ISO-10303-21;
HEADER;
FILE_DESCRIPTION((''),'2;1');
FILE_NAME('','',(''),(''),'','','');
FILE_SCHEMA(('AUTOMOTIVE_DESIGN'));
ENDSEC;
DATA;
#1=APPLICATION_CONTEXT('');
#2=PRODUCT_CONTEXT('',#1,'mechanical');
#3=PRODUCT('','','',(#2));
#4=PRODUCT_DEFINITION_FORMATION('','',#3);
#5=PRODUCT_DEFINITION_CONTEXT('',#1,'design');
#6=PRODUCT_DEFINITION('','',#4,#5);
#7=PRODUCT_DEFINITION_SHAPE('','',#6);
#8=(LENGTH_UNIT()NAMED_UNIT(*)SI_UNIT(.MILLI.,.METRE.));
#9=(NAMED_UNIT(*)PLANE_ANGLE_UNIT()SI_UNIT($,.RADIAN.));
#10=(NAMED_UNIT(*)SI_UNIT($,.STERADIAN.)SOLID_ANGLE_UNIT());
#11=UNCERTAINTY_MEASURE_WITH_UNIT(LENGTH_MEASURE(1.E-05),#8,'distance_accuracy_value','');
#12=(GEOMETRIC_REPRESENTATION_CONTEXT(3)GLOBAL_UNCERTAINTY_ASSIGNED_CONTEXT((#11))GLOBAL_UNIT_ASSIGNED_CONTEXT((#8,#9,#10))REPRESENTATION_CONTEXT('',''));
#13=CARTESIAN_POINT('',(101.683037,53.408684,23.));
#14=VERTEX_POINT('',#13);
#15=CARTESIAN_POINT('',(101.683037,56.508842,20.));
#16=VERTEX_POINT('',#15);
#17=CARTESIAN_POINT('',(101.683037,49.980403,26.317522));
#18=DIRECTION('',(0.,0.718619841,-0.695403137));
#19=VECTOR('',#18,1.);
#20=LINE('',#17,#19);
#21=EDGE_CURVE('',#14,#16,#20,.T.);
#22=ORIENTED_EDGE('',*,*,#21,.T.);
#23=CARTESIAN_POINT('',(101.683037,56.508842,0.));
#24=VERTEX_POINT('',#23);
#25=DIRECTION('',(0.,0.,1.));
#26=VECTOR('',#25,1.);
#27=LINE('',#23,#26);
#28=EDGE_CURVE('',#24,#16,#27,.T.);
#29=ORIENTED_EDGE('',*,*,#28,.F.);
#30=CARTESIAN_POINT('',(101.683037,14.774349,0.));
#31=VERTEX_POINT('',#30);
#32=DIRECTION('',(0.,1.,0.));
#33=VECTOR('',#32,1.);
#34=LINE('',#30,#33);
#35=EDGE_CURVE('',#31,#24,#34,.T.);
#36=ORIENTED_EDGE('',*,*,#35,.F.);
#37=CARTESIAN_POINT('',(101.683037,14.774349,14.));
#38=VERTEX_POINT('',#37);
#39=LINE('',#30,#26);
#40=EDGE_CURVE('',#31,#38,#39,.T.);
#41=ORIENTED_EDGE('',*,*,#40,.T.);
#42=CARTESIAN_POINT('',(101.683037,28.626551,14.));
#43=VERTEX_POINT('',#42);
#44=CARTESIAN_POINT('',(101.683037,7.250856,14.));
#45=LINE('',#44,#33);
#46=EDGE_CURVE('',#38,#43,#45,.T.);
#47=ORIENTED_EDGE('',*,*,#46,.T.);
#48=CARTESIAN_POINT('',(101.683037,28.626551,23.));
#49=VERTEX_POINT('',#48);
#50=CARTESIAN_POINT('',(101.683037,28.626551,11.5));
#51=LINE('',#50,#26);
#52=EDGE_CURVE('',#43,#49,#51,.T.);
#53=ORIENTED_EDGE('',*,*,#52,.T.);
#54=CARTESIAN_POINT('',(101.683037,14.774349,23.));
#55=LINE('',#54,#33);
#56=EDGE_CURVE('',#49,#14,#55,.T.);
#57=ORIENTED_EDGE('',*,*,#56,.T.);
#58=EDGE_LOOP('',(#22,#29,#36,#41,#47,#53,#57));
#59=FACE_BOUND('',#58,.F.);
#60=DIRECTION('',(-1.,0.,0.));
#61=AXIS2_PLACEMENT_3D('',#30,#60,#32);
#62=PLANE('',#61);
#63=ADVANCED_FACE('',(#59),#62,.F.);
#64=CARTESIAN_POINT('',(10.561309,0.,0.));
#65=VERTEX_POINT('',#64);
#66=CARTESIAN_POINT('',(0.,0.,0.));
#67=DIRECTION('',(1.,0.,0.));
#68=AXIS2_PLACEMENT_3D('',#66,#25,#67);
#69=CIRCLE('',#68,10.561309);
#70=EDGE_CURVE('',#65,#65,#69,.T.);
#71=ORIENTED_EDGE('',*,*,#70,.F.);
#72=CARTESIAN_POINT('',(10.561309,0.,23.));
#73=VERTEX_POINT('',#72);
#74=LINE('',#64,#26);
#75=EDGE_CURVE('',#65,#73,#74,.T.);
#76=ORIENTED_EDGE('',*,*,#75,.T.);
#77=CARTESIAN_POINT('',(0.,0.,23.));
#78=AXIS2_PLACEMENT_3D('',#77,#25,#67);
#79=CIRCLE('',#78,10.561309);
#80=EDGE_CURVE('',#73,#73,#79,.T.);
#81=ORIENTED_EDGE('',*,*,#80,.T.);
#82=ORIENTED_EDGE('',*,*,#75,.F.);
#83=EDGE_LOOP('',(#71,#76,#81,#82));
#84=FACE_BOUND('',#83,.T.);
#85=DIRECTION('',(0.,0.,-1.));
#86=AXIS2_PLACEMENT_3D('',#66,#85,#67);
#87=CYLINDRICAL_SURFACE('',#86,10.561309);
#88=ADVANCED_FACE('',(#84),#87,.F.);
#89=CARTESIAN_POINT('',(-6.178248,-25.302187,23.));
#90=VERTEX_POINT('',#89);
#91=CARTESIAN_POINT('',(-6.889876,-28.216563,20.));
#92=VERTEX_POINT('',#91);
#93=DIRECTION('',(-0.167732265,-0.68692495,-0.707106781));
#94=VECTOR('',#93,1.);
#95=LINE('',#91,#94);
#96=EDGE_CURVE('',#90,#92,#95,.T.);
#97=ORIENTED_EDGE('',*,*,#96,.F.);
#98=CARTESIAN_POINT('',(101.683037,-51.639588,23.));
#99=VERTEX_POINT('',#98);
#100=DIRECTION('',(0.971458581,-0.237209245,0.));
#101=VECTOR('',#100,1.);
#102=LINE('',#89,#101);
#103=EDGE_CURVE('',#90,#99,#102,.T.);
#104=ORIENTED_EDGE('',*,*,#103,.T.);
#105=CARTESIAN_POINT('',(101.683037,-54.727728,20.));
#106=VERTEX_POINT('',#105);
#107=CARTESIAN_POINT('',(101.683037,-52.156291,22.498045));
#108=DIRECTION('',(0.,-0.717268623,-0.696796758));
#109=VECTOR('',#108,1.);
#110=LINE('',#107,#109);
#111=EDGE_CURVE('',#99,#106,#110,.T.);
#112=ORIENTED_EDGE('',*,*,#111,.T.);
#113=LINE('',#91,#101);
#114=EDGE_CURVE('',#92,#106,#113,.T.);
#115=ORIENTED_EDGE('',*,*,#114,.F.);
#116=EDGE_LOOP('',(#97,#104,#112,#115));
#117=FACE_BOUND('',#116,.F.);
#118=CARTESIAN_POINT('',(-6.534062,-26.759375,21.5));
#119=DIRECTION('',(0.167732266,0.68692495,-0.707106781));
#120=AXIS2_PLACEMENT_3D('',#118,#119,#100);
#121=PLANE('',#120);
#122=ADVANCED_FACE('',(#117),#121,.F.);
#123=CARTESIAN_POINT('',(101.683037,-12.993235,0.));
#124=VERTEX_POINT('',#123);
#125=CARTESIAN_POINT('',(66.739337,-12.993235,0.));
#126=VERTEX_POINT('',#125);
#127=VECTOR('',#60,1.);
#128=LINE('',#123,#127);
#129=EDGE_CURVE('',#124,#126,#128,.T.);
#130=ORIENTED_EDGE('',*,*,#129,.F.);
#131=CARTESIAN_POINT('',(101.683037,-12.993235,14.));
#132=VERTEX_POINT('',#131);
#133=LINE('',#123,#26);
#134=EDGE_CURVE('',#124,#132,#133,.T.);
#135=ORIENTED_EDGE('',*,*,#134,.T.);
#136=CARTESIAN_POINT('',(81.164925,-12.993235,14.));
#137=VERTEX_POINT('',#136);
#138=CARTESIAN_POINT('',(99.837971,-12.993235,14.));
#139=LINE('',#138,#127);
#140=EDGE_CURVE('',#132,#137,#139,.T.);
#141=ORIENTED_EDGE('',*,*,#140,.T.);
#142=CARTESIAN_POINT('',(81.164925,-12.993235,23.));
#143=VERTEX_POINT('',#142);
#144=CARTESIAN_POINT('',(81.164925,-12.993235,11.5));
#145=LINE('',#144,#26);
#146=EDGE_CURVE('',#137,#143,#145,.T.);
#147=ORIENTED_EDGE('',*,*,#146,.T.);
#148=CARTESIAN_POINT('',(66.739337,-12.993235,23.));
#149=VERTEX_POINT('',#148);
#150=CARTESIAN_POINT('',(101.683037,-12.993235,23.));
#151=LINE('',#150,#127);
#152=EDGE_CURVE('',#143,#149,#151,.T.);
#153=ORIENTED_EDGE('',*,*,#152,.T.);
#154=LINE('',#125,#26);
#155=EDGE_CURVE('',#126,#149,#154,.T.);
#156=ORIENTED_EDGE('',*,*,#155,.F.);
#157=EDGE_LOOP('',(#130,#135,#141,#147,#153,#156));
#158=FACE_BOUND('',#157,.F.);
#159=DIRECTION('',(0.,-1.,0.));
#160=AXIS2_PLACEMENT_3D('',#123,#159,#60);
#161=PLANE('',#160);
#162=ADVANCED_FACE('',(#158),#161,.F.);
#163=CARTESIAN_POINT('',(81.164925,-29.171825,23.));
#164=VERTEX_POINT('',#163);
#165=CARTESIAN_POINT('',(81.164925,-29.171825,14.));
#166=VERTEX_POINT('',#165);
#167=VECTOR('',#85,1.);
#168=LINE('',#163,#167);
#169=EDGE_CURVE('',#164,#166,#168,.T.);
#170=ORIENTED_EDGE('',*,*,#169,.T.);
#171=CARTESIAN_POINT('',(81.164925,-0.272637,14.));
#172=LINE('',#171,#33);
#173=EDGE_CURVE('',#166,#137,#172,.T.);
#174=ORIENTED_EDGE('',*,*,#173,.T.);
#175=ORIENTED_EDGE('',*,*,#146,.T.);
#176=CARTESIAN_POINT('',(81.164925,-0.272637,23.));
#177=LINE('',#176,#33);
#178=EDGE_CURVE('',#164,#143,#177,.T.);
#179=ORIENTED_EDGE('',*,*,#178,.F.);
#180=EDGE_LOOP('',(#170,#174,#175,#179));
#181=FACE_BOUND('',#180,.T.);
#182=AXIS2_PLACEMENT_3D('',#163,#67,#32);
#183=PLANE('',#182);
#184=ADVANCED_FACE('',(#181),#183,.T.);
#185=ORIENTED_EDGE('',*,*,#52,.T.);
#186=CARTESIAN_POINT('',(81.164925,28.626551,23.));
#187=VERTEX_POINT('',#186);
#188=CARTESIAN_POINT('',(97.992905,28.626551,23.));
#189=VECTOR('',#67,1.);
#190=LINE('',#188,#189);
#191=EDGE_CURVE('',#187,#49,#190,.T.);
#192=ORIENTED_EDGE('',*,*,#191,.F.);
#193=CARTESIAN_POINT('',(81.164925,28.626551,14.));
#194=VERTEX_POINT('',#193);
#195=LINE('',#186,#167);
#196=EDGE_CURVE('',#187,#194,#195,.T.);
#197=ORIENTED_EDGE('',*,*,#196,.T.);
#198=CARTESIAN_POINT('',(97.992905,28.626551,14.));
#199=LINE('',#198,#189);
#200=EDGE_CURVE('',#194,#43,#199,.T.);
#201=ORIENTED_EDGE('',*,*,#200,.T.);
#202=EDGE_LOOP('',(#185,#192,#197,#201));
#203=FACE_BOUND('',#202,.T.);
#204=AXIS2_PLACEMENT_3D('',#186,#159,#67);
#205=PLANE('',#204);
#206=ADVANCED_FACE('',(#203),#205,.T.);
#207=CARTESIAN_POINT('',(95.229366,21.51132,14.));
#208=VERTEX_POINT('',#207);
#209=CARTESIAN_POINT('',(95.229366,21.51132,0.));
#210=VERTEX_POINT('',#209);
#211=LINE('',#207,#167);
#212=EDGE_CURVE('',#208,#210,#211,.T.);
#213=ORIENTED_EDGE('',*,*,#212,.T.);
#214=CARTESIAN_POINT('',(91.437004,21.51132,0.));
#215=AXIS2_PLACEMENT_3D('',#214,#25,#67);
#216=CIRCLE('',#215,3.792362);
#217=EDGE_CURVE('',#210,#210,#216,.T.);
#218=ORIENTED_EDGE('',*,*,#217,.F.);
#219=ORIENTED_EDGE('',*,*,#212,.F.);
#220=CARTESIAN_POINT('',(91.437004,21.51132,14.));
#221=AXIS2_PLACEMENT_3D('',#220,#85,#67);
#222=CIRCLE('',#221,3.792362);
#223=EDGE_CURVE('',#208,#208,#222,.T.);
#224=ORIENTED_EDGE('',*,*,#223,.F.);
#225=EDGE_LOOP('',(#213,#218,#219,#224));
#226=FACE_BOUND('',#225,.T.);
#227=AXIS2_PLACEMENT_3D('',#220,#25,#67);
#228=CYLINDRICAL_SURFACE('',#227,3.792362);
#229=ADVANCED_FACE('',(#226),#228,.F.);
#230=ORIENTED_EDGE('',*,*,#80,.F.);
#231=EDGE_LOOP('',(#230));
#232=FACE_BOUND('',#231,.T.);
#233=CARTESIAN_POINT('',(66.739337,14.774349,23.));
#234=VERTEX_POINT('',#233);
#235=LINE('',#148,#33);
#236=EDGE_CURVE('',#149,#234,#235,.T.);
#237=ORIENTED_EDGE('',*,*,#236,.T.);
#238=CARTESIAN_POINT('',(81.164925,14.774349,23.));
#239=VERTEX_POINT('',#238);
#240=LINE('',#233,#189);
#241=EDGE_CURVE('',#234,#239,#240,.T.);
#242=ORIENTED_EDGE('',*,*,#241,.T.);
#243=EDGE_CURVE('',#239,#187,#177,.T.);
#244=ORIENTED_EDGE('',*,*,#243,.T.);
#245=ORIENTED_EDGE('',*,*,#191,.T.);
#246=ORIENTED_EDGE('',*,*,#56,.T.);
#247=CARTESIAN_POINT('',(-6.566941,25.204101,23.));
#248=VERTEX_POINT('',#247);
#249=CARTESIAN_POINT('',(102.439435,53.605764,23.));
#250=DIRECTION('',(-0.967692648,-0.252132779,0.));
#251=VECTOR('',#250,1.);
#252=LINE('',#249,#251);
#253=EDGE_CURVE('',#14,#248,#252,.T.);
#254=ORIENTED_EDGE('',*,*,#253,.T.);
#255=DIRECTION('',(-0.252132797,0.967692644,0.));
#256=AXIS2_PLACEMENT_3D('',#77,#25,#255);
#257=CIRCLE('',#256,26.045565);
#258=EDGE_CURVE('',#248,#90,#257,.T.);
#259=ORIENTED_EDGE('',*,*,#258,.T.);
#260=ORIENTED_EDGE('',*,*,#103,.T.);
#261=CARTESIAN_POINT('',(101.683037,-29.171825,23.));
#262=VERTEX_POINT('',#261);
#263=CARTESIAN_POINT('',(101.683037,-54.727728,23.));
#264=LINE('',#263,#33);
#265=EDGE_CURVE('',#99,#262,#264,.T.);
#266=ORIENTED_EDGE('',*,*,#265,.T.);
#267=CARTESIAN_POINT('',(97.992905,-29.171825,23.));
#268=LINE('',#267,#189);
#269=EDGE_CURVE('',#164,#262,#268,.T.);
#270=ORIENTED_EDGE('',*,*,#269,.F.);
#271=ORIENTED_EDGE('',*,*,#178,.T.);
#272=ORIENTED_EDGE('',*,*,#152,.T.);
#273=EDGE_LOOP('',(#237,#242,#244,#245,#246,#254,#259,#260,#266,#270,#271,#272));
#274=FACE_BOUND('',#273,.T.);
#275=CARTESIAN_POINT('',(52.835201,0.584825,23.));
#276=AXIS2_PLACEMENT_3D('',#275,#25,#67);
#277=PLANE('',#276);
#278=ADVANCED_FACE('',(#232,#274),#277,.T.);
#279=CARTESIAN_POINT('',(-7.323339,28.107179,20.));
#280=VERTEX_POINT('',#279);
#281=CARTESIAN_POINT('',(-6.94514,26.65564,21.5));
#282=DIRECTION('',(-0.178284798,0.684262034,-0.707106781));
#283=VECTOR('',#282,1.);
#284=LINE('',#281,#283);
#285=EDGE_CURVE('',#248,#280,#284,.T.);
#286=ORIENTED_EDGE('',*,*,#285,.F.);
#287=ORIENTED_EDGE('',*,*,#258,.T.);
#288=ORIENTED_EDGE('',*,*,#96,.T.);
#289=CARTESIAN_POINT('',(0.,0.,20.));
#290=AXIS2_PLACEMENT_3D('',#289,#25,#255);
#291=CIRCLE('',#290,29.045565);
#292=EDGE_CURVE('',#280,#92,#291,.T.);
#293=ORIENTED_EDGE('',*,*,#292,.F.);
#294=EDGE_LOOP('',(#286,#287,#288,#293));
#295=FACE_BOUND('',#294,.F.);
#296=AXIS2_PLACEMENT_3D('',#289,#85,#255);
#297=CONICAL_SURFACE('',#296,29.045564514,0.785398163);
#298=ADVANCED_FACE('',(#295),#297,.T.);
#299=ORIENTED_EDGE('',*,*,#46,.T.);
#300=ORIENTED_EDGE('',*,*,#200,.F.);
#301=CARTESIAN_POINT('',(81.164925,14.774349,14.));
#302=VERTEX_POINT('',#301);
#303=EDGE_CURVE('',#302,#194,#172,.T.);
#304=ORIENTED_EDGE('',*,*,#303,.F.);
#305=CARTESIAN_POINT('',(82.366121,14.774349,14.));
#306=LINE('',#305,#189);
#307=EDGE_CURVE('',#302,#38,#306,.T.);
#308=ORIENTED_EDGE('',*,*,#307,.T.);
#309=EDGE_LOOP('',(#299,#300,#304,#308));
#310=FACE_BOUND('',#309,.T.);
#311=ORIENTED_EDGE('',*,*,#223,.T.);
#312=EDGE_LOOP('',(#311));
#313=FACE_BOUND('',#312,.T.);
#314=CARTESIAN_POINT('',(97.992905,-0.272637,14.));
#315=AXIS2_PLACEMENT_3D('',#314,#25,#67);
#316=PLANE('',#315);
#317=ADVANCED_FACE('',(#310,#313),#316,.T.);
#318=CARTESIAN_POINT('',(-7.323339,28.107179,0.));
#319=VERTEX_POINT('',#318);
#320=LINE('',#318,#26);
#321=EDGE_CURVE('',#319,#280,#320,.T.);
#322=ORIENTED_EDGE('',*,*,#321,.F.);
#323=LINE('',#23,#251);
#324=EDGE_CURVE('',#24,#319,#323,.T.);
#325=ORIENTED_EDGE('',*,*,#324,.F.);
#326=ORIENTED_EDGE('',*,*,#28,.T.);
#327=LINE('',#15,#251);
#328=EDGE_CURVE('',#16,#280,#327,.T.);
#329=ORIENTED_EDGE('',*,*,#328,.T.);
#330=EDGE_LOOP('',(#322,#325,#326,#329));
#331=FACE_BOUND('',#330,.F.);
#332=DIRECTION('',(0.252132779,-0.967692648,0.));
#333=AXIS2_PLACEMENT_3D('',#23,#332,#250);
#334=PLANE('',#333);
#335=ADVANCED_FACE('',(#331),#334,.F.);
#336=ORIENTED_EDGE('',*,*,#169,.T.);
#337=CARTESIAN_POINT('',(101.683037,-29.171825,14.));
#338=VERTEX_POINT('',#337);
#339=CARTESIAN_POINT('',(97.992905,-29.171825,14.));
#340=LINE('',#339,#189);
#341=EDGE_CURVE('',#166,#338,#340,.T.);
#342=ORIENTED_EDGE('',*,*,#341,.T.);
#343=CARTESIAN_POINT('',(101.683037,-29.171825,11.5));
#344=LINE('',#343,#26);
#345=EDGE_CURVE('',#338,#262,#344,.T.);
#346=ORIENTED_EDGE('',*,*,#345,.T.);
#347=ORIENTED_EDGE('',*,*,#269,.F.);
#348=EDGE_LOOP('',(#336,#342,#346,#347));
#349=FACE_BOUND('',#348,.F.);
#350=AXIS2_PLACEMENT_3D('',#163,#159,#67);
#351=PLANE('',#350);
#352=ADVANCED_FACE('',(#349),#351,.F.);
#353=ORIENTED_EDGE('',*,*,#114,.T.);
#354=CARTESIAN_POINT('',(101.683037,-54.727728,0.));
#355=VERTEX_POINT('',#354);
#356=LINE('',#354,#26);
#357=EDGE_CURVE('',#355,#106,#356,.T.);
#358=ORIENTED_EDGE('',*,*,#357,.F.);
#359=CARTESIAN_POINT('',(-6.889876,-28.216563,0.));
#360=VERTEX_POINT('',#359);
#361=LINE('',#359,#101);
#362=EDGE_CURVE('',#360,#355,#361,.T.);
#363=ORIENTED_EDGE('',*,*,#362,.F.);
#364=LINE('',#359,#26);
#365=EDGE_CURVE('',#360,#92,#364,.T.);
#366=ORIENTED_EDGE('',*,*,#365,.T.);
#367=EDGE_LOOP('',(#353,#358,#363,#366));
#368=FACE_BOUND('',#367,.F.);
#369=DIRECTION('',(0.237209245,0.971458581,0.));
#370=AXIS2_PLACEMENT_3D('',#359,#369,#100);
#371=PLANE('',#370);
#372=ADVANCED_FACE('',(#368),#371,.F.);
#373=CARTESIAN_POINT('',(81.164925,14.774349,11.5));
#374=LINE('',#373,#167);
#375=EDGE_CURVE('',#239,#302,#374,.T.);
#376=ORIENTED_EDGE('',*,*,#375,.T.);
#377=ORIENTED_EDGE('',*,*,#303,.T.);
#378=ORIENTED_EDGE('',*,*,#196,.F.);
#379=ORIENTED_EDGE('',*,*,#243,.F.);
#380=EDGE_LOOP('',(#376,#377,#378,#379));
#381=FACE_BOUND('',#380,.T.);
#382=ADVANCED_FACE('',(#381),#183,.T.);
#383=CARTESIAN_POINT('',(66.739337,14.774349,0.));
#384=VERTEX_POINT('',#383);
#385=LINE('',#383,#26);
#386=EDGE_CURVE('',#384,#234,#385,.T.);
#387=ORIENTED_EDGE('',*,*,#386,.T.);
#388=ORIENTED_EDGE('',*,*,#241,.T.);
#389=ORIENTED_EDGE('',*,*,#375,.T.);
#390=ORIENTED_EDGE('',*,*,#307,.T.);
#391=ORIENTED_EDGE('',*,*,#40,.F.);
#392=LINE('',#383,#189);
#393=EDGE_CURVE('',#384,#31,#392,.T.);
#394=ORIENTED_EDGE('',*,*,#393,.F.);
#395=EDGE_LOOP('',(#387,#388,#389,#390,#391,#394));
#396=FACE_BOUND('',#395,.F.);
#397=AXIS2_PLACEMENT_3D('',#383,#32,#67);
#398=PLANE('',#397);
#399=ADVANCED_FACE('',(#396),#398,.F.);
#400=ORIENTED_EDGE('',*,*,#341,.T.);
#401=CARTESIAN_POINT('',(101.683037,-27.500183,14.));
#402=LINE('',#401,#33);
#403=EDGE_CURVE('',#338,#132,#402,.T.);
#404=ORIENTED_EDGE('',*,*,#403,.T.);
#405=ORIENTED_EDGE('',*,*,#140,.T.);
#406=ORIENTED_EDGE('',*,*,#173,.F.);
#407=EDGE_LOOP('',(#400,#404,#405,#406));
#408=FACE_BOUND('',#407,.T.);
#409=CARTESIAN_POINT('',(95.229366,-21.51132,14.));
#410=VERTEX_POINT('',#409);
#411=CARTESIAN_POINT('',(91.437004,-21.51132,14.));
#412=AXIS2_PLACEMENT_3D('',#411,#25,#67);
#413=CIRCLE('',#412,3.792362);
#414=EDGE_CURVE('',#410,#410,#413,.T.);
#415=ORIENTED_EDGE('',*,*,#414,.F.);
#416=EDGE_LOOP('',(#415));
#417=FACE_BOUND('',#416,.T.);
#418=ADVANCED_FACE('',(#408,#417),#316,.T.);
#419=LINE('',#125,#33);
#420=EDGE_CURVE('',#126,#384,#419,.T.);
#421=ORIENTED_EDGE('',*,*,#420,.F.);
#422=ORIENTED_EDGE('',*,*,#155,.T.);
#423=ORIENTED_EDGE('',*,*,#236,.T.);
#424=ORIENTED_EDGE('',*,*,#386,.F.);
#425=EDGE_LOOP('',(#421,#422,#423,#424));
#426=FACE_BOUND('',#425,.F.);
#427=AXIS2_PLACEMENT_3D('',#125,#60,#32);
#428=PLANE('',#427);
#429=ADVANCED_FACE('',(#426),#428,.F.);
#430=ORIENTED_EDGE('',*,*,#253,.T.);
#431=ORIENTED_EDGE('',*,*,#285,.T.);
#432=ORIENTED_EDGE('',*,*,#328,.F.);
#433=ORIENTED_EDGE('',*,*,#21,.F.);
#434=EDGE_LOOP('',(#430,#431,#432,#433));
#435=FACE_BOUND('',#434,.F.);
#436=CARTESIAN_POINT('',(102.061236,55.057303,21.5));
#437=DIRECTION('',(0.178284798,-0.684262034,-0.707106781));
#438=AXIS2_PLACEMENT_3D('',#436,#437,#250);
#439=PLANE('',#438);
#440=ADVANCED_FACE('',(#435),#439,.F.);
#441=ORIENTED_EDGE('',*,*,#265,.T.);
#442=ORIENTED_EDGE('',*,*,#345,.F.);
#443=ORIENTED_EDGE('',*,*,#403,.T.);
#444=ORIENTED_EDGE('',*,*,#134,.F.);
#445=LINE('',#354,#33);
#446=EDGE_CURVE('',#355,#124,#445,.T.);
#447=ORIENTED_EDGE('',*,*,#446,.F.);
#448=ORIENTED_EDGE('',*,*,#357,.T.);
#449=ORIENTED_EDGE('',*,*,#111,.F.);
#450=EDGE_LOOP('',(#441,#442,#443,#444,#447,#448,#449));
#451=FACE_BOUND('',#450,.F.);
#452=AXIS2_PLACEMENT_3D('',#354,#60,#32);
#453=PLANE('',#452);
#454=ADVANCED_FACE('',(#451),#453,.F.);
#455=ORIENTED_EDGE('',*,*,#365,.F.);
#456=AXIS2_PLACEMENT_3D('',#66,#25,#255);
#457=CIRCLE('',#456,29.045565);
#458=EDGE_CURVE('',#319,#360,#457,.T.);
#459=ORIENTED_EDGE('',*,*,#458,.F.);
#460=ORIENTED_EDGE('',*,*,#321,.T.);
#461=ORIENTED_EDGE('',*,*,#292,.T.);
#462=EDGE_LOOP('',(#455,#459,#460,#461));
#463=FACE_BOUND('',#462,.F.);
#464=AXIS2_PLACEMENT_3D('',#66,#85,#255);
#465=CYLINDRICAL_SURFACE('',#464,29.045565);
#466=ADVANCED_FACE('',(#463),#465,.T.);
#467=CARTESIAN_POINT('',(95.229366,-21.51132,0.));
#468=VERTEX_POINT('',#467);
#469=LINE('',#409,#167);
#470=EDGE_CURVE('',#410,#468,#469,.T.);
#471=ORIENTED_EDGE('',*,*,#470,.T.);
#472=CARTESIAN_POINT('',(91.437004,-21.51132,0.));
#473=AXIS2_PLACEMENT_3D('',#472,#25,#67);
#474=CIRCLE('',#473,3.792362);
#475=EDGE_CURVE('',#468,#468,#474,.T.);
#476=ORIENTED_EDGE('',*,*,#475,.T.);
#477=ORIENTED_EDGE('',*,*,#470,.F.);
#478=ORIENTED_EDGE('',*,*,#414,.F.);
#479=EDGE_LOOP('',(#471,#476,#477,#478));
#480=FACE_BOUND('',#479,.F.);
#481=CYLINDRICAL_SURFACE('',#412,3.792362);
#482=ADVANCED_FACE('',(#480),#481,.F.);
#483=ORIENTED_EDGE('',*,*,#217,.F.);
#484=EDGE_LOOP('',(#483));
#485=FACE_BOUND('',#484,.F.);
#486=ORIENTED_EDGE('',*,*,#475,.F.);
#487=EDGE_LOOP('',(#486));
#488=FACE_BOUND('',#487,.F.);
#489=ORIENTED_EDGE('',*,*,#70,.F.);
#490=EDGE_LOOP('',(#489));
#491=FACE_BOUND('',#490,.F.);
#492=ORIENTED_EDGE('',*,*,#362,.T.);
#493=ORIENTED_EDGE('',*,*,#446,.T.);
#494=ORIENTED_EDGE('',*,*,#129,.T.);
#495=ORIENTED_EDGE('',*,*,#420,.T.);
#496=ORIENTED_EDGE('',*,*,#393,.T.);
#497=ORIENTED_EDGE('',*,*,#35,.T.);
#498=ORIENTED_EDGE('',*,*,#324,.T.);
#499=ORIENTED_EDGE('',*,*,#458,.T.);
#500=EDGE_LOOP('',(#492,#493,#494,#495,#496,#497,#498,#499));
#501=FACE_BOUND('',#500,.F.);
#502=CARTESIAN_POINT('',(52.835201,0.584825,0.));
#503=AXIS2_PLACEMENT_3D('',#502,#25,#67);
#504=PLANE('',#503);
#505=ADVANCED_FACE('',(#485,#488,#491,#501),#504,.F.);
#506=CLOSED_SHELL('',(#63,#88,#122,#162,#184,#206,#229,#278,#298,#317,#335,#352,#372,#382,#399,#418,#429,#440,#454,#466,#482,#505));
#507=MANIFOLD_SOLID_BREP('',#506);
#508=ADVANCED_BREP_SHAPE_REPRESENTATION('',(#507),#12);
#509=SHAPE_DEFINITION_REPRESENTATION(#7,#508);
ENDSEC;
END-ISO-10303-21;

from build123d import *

# Parameters (mm, degrees)
SKETCH_R        = 10.561309
PAD_DEPTH       = 23
SKETCH001_W     = 33.65596
SKETCH001_H     = 57.798376
POCKET_DEPTH    = 9
CHAMFER_SIZE    = 3
SKETCH002_R     = 3.792362
POCKET001_DEPTH = 16


with BuildPart() as part:
    # Sketch → Pad (new body)
    with BuildSketch(Plane.XY):
        with BuildLine():
            Line((101.683037, 56.508842), (-7.323339, 28.107179))
            ThreePointArc((-7.323339, 28.107179), (-29.044704, -0.223526), (-6.889876, -28.216563))
            Line((-6.889876, -28.216563), (101.683037, -54.727728))
            Line((101.683037, -54.727728), (101.683037, -12.993235))
            Line((101.683037, -12.993235), (66.739337, -12.993235))
            Line((66.739337, -12.993235), (66.739337, 14.774349))
            Line((66.739337, 14.774349), (101.683037, 14.774349))
            Line((101.683037, 14.774349), (101.683037, 56.508842))
        make_face()
        Circle(SKETCH_R, mode=Mode.SUBTRACT)
    extrude(amount=PAD_DEPTH)

    # Sketch001 (on Face11 of Pad) → Pocket (cut)
    with BuildSketch(Plane.XY.offset(23)):
        with Locations((97.992905, -0.272637)):
            Rectangle(SKETCH001_W, SKETCH001_H)
    extrude(amount=-POCKET_DEPTH, mode=Mode.SUBTRACT)

    # Chamfer
    chamfer_edges = [part.edges().sort_by_distance(p)[0] for p in [
        (47.39658, -41.472145, 23),
        (-29.044704, -0.223526, 23),
        (47.179849, 42.30801, 23),
    ]]
    chamfer(chamfer_edges, length=CHAMFER_SIZE)

    # Sketch002 (on Face20 of Chamfer) → Pocket001 (cut)
    with BuildSketch(Plane.XY.offset(14)):
        with Locations((91.437004, -21.51132)):
            Circle(SKETCH002_R)
    pocket001 = extrude(amount=-POCKET001_DEPTH, mode=Mode.SUBTRACT)

    # Mirrored: Pocket001 across XZ
    add(pocket001.mirror(Plane.XZ), mode=Mode.SUBTRACT)


solid = part.part
